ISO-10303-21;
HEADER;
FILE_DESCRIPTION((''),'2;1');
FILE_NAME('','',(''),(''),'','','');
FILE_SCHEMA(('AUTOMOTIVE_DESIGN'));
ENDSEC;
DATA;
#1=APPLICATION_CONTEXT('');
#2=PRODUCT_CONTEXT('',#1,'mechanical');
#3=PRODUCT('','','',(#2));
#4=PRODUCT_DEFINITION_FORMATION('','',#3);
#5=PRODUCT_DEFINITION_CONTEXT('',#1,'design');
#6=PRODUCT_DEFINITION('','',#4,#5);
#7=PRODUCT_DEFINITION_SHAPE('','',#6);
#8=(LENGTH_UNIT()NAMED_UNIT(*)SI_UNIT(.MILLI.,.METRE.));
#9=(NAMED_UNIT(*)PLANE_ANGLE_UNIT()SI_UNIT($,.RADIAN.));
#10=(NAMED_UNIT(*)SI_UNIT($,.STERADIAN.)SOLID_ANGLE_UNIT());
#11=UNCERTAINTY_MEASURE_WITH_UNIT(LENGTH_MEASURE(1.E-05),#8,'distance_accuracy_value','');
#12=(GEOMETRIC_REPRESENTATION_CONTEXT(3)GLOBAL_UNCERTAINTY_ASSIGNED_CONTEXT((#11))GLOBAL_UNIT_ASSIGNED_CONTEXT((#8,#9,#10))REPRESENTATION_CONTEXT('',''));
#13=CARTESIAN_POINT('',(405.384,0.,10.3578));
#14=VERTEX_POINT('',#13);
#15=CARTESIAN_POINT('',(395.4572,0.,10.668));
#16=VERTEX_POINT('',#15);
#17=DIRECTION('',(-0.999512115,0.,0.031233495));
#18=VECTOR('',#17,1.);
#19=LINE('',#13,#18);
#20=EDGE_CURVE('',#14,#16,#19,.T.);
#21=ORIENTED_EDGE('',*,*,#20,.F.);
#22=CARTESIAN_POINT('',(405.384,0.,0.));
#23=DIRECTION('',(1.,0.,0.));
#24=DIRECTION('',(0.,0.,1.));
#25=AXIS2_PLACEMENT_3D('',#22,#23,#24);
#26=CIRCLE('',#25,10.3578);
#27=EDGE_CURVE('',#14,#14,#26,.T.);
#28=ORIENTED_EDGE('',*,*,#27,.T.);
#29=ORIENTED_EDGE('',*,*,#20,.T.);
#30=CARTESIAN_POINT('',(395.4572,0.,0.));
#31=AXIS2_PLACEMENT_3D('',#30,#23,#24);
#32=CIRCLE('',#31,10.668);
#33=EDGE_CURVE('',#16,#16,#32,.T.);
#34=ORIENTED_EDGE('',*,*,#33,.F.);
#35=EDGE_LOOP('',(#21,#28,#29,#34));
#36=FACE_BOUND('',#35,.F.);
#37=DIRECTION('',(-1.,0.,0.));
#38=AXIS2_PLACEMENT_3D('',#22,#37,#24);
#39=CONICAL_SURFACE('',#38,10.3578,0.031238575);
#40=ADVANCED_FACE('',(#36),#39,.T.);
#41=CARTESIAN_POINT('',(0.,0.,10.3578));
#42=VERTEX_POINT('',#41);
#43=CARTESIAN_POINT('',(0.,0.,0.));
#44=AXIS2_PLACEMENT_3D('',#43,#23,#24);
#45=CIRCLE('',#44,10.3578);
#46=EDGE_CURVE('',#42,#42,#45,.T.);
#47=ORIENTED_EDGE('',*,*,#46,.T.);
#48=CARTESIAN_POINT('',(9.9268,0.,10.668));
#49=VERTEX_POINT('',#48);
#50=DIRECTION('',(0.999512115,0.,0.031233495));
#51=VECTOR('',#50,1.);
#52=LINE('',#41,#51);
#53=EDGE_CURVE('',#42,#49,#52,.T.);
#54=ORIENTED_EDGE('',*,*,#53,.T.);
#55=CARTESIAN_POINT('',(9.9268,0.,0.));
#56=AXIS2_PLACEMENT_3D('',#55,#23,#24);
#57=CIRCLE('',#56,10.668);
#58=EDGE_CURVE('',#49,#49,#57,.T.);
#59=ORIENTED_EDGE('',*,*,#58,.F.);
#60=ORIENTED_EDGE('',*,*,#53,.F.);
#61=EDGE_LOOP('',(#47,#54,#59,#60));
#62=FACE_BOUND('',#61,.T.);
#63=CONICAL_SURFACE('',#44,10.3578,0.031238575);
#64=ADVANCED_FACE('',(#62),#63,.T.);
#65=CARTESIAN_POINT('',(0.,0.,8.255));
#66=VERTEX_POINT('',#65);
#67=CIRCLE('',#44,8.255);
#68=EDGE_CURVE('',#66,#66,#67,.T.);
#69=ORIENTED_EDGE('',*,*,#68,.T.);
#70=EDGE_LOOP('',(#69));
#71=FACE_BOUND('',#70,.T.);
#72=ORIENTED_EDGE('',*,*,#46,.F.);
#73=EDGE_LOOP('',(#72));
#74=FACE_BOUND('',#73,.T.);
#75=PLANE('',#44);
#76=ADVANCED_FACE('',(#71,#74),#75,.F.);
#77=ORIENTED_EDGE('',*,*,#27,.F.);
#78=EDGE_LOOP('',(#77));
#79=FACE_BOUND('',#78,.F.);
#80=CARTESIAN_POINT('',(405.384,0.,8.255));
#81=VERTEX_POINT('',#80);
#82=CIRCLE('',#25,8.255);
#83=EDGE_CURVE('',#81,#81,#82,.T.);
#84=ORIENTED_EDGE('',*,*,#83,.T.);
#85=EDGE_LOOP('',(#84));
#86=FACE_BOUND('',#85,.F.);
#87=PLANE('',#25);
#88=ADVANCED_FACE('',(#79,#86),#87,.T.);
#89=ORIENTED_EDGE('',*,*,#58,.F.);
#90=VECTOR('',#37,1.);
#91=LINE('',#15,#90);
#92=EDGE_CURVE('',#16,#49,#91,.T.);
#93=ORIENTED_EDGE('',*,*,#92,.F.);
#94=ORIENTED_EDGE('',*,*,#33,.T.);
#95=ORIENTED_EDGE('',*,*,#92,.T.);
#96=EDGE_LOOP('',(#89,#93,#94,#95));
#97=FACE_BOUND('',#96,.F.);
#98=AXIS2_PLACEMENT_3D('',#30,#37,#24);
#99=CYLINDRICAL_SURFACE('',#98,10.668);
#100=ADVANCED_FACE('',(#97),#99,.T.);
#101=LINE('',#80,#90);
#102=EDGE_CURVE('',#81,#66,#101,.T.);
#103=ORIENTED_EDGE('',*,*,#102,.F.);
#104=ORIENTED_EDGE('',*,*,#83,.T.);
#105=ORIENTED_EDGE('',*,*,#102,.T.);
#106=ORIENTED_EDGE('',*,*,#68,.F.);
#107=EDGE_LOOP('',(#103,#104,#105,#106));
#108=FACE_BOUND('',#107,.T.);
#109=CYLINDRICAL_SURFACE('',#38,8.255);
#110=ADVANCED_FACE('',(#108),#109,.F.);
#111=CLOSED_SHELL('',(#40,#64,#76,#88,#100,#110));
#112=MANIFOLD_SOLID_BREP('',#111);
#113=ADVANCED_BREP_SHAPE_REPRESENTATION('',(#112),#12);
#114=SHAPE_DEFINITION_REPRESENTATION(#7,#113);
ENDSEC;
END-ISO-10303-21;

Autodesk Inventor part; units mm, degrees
ref_plane "YZ Plane" through (0, 0, 0) normal (1, 0, 0) x (0, 1, 0)
ref_plane "XZ Plane" through (0, 0, 0) normal (0, 1, 0) x (-1, 0, 0)
ref_plane "XY Plane" through (0, 0, 0) normal (0, 0, 1) x (1, 0, 0)
sketch "Sketch1" plane through (0, 0, 0) normal (0, 1, 0) x (-1, 0, 0)
  line L0 (0, 0) -> (-405.384, 0)
  line L1 (-405.384, 0) -> (-405.384, 8.255) construction
  line L2 (-405.384, 8.255) -> (-405.384, 10.3578)
  line L3 (-405.384, 10.3578) -> (-395.4572, 10.668)
  line L4 (-395.4572, 10.668) -> (-9.9268, 10.668)
  line L5 (-202.692, 0) -> (-202.692, 10.668) construction
  line L6 (-405.384, 8.255) -> (0, 8.255)
  line L7 (0, 0) -> (0, 8.255) construction
  line L8 (0, 8.255) -> (0, 10.3578)
  line L9 (0, 10.3578) -> (-9.9268, 10.668)
  line L10 (-391.828, 10.7814) -> (-391.828, 0) construction
  line L11 (-13.556, 10.7814) -> (-13.556, 0) construction
  line L12 (-395.4572, 10.668) -> (-391.828, 10.7814) construction
  line L13 (-395.4572, 10.668) -> (-395.4572, 0) construction
  line L14 (-9.9268, 10.668) -> (-13.556, 10.7814) construction
  line L15 (-9.9268, 10.668) -> (-9.9268, 0) construction
  dimension "d0" = 21.336
  dimension "d1" = 1.79
  dimension "d2" = 16.51
  dimension "d3" = 405.384
  dimension "d4" = 13.556
  dimension "d5" = 21.5628
revolve "Revolution1" add sketch "Sketch1" angle 360 about axis through (0, 0, 0) along (1, 0, 0)
thread "Thread1" size "1/2" designation "1/2 - 14 NPT" standard "NPT" full length
thread "Thread2" size "1/2" designation "1/2 - 14 NPT" standard "NPT" full length
equation "\"d0\" = OD"
equation "\"d2\" = ID"
equation "\"d3\" = L"
equation "\"d4\" = L2"
equation "\"d5\" = D2"
equation "\"OD\" = 21.336"
equation "\"t\" = 2.413"
equation "\"L\" = PL"
equation "\"L4\" = 19.8501"
equation "\"ID\" = 16.51"
equation "\"PL\" = 405.384"
equation "\"D2\" = 21.56282"
equation "\"L2\" = 13.55598"
equation "\"Size_Designation\" = 1.2345"
equation "\"PLmin\" = 2 * L2"
properties material "Steel, Wrought"
